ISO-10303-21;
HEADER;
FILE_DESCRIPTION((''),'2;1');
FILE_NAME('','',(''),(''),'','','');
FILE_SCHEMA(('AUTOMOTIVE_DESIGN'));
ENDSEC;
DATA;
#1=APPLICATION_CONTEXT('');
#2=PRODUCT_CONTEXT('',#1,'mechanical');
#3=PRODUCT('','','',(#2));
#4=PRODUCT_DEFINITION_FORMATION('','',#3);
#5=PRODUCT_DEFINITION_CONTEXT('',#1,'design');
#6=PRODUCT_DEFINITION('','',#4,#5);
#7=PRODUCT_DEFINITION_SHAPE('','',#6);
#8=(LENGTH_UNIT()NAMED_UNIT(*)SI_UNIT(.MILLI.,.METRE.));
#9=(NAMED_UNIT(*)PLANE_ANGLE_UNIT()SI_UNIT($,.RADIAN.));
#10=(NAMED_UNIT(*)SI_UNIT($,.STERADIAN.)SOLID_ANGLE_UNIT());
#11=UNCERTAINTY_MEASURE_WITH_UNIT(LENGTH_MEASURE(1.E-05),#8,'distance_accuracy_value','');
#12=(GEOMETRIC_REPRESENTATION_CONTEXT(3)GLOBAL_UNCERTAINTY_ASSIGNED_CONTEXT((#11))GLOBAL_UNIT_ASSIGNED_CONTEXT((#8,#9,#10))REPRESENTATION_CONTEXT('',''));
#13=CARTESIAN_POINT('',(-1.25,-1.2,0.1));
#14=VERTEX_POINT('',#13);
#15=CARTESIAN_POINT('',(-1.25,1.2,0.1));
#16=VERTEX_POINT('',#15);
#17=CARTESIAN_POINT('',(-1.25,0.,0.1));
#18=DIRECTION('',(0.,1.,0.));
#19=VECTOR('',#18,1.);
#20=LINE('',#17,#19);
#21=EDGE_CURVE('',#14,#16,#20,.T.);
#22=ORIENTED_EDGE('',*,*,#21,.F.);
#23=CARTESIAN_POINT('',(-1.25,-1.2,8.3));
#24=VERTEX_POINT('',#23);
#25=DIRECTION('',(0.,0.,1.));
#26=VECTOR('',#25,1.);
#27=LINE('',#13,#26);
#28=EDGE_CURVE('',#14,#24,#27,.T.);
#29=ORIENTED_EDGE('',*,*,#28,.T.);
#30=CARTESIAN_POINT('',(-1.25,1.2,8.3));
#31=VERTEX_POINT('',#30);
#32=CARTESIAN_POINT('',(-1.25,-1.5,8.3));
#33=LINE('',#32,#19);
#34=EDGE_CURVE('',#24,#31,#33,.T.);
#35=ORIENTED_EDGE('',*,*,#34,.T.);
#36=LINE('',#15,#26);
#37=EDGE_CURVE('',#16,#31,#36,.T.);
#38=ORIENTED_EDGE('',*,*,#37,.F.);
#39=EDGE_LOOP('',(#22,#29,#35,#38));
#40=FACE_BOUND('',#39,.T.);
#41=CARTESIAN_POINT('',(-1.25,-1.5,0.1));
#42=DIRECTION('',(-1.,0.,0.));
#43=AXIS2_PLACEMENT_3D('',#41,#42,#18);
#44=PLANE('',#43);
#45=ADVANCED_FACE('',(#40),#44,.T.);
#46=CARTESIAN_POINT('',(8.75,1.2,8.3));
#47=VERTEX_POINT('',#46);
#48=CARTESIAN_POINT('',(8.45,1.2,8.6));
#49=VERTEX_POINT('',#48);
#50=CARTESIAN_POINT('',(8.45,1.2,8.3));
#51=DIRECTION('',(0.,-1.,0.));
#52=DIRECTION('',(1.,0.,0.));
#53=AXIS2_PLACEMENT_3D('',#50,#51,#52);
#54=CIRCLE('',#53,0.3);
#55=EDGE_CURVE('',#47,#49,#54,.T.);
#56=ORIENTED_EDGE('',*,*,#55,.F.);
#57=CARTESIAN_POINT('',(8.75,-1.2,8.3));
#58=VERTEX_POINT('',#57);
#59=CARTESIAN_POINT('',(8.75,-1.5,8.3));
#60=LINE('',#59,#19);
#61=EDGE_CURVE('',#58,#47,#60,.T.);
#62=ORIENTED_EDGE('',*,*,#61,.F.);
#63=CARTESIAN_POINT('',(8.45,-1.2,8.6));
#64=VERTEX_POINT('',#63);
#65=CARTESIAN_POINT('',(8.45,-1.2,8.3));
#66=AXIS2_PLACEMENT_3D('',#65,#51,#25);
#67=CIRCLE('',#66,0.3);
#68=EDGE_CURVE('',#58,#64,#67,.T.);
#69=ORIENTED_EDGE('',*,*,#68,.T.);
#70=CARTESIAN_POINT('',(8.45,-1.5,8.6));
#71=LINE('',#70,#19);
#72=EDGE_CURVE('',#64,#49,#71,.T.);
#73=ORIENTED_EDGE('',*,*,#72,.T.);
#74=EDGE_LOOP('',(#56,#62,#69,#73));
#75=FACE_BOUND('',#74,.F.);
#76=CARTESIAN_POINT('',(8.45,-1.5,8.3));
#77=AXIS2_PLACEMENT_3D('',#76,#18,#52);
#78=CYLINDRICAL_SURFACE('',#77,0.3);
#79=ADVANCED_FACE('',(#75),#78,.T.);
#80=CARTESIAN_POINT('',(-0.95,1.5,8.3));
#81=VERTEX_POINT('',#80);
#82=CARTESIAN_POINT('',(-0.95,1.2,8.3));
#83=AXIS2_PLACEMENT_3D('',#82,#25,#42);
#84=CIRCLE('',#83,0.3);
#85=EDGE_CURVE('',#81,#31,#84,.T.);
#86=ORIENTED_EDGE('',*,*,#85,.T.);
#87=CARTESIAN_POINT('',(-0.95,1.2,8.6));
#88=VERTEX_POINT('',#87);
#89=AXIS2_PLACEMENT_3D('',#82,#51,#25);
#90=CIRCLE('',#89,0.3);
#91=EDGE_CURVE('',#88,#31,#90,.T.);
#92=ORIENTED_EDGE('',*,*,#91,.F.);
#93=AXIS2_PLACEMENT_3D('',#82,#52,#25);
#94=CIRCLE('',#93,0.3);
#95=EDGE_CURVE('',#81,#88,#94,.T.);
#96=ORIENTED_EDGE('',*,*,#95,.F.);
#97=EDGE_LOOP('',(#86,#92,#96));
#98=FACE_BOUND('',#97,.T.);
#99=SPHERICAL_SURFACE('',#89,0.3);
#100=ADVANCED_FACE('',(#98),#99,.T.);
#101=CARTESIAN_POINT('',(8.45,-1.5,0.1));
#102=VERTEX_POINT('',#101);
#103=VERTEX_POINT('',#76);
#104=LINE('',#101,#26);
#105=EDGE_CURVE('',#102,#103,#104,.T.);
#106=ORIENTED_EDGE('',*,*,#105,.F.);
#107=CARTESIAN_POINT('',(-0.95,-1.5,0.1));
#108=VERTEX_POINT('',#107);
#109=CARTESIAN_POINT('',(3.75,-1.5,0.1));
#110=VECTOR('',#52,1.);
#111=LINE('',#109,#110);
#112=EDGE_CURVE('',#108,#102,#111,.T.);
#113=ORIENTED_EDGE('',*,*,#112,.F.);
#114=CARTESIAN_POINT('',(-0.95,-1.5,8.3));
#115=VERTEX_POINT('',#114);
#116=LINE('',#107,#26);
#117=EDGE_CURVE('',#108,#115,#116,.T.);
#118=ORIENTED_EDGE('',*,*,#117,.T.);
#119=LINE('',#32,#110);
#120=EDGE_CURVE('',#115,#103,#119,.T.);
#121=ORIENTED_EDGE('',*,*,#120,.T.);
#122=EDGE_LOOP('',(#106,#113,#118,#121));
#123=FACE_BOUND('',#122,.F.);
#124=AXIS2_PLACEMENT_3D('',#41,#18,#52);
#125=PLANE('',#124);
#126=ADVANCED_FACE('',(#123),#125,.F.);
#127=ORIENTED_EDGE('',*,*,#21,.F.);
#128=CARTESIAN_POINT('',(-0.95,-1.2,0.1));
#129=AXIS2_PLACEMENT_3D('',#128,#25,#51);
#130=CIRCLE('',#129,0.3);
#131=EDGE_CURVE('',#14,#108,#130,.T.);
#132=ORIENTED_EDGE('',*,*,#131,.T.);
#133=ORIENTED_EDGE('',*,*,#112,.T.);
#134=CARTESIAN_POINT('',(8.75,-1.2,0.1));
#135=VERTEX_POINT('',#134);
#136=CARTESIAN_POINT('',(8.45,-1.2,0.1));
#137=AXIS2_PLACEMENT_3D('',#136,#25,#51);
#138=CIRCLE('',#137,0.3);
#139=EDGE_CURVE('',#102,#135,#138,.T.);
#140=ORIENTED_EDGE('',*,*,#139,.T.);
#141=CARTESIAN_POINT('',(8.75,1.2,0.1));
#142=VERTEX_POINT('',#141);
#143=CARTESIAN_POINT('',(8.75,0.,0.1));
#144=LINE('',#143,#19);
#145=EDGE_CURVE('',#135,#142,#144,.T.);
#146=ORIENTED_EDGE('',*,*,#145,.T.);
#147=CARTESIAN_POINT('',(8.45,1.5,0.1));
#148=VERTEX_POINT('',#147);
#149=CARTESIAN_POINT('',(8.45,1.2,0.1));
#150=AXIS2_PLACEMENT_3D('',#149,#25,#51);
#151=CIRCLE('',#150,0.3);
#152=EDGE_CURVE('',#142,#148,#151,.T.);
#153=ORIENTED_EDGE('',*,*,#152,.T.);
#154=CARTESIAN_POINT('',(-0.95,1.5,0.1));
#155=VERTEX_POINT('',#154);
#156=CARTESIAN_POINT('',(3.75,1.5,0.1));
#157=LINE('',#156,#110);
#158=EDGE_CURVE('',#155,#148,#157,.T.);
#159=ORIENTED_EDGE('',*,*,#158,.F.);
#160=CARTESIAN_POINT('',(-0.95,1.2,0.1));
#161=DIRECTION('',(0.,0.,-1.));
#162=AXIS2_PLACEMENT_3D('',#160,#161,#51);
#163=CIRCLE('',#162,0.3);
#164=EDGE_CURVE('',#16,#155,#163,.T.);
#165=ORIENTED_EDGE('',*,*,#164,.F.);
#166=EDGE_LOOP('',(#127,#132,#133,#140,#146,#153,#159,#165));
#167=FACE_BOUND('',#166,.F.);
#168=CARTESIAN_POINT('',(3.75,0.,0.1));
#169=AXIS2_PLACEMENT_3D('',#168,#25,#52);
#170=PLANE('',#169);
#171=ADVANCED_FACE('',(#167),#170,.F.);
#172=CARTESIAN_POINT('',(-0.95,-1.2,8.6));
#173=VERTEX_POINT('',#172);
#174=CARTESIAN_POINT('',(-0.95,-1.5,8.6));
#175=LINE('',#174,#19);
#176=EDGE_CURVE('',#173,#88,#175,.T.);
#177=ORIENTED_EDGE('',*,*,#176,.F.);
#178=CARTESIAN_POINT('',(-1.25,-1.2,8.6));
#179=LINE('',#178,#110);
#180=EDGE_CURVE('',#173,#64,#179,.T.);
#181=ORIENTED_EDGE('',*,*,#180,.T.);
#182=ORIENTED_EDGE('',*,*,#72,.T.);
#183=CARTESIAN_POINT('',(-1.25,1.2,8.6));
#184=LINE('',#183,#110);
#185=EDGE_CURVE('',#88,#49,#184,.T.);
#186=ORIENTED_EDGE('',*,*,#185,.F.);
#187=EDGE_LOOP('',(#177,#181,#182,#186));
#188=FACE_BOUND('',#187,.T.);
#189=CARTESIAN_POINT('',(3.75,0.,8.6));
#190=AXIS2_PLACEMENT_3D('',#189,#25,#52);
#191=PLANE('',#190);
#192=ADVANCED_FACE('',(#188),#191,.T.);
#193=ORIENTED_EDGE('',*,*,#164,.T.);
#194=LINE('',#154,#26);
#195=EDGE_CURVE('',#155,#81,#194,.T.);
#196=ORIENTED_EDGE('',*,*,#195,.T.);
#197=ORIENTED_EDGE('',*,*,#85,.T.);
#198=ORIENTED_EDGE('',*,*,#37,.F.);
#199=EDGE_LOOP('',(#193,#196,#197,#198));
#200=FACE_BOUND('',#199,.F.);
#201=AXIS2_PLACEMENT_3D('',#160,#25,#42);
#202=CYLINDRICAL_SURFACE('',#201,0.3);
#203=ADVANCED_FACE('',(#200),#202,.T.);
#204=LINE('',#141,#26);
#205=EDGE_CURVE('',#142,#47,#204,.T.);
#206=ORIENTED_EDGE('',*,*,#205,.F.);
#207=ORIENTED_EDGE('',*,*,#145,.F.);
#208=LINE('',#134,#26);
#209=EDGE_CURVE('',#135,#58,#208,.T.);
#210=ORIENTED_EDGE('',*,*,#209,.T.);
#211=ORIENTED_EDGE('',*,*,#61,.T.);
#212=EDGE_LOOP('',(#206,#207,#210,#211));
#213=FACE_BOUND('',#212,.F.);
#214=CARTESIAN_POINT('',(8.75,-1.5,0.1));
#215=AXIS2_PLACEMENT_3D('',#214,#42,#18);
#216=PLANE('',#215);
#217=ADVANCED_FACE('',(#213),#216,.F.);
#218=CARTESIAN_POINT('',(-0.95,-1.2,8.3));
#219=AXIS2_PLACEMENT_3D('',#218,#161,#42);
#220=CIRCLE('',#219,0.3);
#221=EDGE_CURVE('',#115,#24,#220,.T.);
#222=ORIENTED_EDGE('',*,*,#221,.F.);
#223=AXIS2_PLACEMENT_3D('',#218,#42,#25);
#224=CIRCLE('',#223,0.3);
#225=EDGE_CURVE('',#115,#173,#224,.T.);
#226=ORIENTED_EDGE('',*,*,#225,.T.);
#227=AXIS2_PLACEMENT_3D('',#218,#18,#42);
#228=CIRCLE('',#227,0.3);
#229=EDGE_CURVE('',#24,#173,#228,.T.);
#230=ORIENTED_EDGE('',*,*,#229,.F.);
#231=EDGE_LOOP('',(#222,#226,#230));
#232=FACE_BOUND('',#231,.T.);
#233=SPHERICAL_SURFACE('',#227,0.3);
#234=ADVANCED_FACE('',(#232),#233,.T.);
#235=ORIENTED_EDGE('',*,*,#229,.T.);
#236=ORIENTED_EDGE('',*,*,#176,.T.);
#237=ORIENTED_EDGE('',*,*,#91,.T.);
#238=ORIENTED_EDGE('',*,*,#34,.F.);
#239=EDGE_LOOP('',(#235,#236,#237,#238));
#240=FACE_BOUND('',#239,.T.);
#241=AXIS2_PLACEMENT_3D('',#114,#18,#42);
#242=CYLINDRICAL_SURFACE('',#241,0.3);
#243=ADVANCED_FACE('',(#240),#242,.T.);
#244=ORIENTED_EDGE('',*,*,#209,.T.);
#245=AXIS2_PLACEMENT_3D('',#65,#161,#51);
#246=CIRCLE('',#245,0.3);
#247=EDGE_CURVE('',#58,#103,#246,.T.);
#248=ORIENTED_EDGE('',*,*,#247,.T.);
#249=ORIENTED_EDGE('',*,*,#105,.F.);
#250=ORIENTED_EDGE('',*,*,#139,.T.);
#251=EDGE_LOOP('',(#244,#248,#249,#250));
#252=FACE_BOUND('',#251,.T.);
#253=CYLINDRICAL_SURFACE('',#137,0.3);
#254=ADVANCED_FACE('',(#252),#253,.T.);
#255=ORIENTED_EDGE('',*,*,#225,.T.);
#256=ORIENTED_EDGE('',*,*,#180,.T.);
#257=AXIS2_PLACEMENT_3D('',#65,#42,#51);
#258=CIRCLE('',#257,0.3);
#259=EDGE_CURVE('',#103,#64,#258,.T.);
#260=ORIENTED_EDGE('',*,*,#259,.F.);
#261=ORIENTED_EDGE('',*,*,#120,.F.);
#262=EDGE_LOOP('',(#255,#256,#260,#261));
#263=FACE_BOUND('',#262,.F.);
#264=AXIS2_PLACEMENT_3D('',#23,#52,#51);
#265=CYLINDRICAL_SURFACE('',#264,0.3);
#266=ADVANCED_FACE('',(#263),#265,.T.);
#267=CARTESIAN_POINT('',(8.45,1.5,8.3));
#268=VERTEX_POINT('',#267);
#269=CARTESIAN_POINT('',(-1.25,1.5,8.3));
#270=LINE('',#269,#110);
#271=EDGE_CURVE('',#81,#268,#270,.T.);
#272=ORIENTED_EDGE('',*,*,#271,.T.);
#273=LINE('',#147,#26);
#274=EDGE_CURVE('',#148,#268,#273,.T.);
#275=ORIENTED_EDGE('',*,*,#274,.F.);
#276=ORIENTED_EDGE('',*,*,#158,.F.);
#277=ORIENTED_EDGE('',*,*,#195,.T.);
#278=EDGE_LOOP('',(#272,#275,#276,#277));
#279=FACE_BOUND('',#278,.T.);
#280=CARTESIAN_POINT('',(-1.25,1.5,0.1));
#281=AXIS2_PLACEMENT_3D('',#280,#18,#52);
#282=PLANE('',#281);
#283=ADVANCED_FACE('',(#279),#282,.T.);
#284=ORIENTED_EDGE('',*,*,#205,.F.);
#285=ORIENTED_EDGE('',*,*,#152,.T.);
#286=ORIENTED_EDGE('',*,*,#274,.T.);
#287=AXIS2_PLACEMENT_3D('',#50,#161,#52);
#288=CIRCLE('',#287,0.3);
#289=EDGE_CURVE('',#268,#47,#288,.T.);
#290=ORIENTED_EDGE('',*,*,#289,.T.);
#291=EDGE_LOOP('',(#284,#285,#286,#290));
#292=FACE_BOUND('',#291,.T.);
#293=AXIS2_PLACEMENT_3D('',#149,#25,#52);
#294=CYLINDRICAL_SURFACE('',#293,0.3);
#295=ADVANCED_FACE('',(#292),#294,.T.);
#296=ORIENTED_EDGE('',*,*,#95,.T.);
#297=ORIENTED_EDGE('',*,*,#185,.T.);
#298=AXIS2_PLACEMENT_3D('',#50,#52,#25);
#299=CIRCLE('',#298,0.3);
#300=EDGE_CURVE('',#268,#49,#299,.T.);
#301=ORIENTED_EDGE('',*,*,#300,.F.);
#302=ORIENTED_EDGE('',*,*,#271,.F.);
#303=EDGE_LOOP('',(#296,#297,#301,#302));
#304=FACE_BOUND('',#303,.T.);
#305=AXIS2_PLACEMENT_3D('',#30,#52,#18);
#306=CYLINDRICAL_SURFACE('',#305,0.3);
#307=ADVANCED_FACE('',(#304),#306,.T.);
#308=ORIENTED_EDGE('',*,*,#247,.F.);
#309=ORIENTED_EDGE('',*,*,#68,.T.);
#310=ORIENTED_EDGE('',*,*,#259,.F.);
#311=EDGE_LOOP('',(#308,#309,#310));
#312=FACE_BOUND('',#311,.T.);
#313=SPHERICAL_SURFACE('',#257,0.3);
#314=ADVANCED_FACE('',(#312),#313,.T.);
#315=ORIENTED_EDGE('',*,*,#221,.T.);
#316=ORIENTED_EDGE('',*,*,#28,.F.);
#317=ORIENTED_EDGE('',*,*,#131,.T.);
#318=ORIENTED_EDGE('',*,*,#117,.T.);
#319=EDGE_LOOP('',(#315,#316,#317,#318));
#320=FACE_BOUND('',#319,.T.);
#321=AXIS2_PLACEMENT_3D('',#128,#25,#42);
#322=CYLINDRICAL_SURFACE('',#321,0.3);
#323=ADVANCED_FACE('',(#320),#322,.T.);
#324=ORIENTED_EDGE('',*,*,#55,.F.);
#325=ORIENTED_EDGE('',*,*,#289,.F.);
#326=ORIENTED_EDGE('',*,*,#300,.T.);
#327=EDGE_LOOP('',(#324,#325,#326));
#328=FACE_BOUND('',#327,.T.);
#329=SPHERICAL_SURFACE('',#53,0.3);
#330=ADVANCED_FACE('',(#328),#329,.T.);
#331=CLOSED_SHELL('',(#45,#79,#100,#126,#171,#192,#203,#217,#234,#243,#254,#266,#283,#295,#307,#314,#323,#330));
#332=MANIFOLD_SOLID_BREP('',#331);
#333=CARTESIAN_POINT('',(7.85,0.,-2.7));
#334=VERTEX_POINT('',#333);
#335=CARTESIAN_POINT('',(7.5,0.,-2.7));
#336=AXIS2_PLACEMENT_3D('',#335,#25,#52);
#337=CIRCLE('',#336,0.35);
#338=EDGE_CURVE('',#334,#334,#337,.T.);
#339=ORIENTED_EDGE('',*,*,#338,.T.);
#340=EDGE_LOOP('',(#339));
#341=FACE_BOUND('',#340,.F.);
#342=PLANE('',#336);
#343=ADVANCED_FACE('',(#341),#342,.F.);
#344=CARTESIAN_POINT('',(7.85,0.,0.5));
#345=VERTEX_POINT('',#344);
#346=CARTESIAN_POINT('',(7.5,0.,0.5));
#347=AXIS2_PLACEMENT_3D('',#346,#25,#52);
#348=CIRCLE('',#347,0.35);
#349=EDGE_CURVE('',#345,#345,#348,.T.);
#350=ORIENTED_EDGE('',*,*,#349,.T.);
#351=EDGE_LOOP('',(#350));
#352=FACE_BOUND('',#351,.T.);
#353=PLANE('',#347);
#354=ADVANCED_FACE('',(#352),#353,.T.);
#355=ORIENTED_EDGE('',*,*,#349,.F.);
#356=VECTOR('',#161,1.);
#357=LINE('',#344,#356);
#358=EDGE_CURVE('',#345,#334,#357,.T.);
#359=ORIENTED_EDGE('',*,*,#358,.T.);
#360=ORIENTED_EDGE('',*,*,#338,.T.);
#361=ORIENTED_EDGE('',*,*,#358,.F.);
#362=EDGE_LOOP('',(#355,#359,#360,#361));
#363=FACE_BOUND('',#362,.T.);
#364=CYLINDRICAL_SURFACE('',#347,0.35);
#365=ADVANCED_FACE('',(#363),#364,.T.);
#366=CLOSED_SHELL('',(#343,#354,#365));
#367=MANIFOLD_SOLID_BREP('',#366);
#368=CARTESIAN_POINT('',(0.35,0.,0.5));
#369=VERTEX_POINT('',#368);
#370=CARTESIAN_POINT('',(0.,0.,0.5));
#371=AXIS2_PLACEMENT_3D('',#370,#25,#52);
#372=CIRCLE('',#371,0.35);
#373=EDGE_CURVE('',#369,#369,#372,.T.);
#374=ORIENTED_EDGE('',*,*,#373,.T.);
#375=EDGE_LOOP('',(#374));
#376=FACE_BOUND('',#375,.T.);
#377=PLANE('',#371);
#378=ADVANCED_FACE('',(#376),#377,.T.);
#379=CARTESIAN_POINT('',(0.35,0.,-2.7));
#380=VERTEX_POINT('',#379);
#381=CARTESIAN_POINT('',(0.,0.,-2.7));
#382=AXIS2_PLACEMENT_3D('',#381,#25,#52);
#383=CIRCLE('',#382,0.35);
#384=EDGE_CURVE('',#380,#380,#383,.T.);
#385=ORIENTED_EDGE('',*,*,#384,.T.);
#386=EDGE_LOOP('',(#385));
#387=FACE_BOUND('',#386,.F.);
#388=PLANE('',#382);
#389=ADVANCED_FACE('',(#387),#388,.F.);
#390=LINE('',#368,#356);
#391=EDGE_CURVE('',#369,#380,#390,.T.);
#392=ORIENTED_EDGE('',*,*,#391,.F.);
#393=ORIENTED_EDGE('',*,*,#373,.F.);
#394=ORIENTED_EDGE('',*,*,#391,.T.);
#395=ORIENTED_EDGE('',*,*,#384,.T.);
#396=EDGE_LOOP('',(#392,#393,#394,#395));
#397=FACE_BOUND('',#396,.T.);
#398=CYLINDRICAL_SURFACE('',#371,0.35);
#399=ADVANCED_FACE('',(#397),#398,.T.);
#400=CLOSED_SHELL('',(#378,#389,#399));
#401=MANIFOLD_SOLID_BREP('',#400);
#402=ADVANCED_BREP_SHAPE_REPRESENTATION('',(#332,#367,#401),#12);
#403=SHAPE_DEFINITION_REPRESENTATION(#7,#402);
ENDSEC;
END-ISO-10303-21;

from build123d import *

# Parameters (mm, degrees)
SKETCH_W     = 10
SKETCH_H     = 3
PAD_DEPTH    = 8.5
FILLET_R     = 0.3
SKETCH001_R  = 0.35
PAD001_DEPTH = 3.2


with BuildPart() as fillet_body:
    # Sketch → Pad (new body)
    with BuildSketch(Plane.XY.offset(0.1)):
        with Locations((3.75, 0)):
            Rectangle(SKETCH_W, SKETCH_H)
    extrude(amount=PAD_DEPTH)

    # Fillet
    fillet_edges = [fillet_body.edges().sort_by_distance(p)[0] for p in [
        (-1.25, 0, 8.6),
        (-1.25, -1.5, 4.35),
        (3.75, -1.5, 8.6),
        (8.75, -1.5, 4.35),
        (8.75, 0, 8.6),
        (8.75, 1.5, 4.35),
        (3.75, 1.5, 8.6),
        (-1.25, 1.5, 4.35),
    ]]
    fillet(fillet_edges, radius=FILLET_R)


with BuildPart() as pad001:
    # Sketch001 → Pad001 (new body)
    with BuildSketch(Plane.XY.offset(0.5)):
        Circle(SKETCH001_R)
        with Locations((7.5, 0)):
            Circle(SKETCH001_R)
    extrude(amount=-PAD001_DEPTH)


solid = Compound([fillet_body.part, pad001.part])
